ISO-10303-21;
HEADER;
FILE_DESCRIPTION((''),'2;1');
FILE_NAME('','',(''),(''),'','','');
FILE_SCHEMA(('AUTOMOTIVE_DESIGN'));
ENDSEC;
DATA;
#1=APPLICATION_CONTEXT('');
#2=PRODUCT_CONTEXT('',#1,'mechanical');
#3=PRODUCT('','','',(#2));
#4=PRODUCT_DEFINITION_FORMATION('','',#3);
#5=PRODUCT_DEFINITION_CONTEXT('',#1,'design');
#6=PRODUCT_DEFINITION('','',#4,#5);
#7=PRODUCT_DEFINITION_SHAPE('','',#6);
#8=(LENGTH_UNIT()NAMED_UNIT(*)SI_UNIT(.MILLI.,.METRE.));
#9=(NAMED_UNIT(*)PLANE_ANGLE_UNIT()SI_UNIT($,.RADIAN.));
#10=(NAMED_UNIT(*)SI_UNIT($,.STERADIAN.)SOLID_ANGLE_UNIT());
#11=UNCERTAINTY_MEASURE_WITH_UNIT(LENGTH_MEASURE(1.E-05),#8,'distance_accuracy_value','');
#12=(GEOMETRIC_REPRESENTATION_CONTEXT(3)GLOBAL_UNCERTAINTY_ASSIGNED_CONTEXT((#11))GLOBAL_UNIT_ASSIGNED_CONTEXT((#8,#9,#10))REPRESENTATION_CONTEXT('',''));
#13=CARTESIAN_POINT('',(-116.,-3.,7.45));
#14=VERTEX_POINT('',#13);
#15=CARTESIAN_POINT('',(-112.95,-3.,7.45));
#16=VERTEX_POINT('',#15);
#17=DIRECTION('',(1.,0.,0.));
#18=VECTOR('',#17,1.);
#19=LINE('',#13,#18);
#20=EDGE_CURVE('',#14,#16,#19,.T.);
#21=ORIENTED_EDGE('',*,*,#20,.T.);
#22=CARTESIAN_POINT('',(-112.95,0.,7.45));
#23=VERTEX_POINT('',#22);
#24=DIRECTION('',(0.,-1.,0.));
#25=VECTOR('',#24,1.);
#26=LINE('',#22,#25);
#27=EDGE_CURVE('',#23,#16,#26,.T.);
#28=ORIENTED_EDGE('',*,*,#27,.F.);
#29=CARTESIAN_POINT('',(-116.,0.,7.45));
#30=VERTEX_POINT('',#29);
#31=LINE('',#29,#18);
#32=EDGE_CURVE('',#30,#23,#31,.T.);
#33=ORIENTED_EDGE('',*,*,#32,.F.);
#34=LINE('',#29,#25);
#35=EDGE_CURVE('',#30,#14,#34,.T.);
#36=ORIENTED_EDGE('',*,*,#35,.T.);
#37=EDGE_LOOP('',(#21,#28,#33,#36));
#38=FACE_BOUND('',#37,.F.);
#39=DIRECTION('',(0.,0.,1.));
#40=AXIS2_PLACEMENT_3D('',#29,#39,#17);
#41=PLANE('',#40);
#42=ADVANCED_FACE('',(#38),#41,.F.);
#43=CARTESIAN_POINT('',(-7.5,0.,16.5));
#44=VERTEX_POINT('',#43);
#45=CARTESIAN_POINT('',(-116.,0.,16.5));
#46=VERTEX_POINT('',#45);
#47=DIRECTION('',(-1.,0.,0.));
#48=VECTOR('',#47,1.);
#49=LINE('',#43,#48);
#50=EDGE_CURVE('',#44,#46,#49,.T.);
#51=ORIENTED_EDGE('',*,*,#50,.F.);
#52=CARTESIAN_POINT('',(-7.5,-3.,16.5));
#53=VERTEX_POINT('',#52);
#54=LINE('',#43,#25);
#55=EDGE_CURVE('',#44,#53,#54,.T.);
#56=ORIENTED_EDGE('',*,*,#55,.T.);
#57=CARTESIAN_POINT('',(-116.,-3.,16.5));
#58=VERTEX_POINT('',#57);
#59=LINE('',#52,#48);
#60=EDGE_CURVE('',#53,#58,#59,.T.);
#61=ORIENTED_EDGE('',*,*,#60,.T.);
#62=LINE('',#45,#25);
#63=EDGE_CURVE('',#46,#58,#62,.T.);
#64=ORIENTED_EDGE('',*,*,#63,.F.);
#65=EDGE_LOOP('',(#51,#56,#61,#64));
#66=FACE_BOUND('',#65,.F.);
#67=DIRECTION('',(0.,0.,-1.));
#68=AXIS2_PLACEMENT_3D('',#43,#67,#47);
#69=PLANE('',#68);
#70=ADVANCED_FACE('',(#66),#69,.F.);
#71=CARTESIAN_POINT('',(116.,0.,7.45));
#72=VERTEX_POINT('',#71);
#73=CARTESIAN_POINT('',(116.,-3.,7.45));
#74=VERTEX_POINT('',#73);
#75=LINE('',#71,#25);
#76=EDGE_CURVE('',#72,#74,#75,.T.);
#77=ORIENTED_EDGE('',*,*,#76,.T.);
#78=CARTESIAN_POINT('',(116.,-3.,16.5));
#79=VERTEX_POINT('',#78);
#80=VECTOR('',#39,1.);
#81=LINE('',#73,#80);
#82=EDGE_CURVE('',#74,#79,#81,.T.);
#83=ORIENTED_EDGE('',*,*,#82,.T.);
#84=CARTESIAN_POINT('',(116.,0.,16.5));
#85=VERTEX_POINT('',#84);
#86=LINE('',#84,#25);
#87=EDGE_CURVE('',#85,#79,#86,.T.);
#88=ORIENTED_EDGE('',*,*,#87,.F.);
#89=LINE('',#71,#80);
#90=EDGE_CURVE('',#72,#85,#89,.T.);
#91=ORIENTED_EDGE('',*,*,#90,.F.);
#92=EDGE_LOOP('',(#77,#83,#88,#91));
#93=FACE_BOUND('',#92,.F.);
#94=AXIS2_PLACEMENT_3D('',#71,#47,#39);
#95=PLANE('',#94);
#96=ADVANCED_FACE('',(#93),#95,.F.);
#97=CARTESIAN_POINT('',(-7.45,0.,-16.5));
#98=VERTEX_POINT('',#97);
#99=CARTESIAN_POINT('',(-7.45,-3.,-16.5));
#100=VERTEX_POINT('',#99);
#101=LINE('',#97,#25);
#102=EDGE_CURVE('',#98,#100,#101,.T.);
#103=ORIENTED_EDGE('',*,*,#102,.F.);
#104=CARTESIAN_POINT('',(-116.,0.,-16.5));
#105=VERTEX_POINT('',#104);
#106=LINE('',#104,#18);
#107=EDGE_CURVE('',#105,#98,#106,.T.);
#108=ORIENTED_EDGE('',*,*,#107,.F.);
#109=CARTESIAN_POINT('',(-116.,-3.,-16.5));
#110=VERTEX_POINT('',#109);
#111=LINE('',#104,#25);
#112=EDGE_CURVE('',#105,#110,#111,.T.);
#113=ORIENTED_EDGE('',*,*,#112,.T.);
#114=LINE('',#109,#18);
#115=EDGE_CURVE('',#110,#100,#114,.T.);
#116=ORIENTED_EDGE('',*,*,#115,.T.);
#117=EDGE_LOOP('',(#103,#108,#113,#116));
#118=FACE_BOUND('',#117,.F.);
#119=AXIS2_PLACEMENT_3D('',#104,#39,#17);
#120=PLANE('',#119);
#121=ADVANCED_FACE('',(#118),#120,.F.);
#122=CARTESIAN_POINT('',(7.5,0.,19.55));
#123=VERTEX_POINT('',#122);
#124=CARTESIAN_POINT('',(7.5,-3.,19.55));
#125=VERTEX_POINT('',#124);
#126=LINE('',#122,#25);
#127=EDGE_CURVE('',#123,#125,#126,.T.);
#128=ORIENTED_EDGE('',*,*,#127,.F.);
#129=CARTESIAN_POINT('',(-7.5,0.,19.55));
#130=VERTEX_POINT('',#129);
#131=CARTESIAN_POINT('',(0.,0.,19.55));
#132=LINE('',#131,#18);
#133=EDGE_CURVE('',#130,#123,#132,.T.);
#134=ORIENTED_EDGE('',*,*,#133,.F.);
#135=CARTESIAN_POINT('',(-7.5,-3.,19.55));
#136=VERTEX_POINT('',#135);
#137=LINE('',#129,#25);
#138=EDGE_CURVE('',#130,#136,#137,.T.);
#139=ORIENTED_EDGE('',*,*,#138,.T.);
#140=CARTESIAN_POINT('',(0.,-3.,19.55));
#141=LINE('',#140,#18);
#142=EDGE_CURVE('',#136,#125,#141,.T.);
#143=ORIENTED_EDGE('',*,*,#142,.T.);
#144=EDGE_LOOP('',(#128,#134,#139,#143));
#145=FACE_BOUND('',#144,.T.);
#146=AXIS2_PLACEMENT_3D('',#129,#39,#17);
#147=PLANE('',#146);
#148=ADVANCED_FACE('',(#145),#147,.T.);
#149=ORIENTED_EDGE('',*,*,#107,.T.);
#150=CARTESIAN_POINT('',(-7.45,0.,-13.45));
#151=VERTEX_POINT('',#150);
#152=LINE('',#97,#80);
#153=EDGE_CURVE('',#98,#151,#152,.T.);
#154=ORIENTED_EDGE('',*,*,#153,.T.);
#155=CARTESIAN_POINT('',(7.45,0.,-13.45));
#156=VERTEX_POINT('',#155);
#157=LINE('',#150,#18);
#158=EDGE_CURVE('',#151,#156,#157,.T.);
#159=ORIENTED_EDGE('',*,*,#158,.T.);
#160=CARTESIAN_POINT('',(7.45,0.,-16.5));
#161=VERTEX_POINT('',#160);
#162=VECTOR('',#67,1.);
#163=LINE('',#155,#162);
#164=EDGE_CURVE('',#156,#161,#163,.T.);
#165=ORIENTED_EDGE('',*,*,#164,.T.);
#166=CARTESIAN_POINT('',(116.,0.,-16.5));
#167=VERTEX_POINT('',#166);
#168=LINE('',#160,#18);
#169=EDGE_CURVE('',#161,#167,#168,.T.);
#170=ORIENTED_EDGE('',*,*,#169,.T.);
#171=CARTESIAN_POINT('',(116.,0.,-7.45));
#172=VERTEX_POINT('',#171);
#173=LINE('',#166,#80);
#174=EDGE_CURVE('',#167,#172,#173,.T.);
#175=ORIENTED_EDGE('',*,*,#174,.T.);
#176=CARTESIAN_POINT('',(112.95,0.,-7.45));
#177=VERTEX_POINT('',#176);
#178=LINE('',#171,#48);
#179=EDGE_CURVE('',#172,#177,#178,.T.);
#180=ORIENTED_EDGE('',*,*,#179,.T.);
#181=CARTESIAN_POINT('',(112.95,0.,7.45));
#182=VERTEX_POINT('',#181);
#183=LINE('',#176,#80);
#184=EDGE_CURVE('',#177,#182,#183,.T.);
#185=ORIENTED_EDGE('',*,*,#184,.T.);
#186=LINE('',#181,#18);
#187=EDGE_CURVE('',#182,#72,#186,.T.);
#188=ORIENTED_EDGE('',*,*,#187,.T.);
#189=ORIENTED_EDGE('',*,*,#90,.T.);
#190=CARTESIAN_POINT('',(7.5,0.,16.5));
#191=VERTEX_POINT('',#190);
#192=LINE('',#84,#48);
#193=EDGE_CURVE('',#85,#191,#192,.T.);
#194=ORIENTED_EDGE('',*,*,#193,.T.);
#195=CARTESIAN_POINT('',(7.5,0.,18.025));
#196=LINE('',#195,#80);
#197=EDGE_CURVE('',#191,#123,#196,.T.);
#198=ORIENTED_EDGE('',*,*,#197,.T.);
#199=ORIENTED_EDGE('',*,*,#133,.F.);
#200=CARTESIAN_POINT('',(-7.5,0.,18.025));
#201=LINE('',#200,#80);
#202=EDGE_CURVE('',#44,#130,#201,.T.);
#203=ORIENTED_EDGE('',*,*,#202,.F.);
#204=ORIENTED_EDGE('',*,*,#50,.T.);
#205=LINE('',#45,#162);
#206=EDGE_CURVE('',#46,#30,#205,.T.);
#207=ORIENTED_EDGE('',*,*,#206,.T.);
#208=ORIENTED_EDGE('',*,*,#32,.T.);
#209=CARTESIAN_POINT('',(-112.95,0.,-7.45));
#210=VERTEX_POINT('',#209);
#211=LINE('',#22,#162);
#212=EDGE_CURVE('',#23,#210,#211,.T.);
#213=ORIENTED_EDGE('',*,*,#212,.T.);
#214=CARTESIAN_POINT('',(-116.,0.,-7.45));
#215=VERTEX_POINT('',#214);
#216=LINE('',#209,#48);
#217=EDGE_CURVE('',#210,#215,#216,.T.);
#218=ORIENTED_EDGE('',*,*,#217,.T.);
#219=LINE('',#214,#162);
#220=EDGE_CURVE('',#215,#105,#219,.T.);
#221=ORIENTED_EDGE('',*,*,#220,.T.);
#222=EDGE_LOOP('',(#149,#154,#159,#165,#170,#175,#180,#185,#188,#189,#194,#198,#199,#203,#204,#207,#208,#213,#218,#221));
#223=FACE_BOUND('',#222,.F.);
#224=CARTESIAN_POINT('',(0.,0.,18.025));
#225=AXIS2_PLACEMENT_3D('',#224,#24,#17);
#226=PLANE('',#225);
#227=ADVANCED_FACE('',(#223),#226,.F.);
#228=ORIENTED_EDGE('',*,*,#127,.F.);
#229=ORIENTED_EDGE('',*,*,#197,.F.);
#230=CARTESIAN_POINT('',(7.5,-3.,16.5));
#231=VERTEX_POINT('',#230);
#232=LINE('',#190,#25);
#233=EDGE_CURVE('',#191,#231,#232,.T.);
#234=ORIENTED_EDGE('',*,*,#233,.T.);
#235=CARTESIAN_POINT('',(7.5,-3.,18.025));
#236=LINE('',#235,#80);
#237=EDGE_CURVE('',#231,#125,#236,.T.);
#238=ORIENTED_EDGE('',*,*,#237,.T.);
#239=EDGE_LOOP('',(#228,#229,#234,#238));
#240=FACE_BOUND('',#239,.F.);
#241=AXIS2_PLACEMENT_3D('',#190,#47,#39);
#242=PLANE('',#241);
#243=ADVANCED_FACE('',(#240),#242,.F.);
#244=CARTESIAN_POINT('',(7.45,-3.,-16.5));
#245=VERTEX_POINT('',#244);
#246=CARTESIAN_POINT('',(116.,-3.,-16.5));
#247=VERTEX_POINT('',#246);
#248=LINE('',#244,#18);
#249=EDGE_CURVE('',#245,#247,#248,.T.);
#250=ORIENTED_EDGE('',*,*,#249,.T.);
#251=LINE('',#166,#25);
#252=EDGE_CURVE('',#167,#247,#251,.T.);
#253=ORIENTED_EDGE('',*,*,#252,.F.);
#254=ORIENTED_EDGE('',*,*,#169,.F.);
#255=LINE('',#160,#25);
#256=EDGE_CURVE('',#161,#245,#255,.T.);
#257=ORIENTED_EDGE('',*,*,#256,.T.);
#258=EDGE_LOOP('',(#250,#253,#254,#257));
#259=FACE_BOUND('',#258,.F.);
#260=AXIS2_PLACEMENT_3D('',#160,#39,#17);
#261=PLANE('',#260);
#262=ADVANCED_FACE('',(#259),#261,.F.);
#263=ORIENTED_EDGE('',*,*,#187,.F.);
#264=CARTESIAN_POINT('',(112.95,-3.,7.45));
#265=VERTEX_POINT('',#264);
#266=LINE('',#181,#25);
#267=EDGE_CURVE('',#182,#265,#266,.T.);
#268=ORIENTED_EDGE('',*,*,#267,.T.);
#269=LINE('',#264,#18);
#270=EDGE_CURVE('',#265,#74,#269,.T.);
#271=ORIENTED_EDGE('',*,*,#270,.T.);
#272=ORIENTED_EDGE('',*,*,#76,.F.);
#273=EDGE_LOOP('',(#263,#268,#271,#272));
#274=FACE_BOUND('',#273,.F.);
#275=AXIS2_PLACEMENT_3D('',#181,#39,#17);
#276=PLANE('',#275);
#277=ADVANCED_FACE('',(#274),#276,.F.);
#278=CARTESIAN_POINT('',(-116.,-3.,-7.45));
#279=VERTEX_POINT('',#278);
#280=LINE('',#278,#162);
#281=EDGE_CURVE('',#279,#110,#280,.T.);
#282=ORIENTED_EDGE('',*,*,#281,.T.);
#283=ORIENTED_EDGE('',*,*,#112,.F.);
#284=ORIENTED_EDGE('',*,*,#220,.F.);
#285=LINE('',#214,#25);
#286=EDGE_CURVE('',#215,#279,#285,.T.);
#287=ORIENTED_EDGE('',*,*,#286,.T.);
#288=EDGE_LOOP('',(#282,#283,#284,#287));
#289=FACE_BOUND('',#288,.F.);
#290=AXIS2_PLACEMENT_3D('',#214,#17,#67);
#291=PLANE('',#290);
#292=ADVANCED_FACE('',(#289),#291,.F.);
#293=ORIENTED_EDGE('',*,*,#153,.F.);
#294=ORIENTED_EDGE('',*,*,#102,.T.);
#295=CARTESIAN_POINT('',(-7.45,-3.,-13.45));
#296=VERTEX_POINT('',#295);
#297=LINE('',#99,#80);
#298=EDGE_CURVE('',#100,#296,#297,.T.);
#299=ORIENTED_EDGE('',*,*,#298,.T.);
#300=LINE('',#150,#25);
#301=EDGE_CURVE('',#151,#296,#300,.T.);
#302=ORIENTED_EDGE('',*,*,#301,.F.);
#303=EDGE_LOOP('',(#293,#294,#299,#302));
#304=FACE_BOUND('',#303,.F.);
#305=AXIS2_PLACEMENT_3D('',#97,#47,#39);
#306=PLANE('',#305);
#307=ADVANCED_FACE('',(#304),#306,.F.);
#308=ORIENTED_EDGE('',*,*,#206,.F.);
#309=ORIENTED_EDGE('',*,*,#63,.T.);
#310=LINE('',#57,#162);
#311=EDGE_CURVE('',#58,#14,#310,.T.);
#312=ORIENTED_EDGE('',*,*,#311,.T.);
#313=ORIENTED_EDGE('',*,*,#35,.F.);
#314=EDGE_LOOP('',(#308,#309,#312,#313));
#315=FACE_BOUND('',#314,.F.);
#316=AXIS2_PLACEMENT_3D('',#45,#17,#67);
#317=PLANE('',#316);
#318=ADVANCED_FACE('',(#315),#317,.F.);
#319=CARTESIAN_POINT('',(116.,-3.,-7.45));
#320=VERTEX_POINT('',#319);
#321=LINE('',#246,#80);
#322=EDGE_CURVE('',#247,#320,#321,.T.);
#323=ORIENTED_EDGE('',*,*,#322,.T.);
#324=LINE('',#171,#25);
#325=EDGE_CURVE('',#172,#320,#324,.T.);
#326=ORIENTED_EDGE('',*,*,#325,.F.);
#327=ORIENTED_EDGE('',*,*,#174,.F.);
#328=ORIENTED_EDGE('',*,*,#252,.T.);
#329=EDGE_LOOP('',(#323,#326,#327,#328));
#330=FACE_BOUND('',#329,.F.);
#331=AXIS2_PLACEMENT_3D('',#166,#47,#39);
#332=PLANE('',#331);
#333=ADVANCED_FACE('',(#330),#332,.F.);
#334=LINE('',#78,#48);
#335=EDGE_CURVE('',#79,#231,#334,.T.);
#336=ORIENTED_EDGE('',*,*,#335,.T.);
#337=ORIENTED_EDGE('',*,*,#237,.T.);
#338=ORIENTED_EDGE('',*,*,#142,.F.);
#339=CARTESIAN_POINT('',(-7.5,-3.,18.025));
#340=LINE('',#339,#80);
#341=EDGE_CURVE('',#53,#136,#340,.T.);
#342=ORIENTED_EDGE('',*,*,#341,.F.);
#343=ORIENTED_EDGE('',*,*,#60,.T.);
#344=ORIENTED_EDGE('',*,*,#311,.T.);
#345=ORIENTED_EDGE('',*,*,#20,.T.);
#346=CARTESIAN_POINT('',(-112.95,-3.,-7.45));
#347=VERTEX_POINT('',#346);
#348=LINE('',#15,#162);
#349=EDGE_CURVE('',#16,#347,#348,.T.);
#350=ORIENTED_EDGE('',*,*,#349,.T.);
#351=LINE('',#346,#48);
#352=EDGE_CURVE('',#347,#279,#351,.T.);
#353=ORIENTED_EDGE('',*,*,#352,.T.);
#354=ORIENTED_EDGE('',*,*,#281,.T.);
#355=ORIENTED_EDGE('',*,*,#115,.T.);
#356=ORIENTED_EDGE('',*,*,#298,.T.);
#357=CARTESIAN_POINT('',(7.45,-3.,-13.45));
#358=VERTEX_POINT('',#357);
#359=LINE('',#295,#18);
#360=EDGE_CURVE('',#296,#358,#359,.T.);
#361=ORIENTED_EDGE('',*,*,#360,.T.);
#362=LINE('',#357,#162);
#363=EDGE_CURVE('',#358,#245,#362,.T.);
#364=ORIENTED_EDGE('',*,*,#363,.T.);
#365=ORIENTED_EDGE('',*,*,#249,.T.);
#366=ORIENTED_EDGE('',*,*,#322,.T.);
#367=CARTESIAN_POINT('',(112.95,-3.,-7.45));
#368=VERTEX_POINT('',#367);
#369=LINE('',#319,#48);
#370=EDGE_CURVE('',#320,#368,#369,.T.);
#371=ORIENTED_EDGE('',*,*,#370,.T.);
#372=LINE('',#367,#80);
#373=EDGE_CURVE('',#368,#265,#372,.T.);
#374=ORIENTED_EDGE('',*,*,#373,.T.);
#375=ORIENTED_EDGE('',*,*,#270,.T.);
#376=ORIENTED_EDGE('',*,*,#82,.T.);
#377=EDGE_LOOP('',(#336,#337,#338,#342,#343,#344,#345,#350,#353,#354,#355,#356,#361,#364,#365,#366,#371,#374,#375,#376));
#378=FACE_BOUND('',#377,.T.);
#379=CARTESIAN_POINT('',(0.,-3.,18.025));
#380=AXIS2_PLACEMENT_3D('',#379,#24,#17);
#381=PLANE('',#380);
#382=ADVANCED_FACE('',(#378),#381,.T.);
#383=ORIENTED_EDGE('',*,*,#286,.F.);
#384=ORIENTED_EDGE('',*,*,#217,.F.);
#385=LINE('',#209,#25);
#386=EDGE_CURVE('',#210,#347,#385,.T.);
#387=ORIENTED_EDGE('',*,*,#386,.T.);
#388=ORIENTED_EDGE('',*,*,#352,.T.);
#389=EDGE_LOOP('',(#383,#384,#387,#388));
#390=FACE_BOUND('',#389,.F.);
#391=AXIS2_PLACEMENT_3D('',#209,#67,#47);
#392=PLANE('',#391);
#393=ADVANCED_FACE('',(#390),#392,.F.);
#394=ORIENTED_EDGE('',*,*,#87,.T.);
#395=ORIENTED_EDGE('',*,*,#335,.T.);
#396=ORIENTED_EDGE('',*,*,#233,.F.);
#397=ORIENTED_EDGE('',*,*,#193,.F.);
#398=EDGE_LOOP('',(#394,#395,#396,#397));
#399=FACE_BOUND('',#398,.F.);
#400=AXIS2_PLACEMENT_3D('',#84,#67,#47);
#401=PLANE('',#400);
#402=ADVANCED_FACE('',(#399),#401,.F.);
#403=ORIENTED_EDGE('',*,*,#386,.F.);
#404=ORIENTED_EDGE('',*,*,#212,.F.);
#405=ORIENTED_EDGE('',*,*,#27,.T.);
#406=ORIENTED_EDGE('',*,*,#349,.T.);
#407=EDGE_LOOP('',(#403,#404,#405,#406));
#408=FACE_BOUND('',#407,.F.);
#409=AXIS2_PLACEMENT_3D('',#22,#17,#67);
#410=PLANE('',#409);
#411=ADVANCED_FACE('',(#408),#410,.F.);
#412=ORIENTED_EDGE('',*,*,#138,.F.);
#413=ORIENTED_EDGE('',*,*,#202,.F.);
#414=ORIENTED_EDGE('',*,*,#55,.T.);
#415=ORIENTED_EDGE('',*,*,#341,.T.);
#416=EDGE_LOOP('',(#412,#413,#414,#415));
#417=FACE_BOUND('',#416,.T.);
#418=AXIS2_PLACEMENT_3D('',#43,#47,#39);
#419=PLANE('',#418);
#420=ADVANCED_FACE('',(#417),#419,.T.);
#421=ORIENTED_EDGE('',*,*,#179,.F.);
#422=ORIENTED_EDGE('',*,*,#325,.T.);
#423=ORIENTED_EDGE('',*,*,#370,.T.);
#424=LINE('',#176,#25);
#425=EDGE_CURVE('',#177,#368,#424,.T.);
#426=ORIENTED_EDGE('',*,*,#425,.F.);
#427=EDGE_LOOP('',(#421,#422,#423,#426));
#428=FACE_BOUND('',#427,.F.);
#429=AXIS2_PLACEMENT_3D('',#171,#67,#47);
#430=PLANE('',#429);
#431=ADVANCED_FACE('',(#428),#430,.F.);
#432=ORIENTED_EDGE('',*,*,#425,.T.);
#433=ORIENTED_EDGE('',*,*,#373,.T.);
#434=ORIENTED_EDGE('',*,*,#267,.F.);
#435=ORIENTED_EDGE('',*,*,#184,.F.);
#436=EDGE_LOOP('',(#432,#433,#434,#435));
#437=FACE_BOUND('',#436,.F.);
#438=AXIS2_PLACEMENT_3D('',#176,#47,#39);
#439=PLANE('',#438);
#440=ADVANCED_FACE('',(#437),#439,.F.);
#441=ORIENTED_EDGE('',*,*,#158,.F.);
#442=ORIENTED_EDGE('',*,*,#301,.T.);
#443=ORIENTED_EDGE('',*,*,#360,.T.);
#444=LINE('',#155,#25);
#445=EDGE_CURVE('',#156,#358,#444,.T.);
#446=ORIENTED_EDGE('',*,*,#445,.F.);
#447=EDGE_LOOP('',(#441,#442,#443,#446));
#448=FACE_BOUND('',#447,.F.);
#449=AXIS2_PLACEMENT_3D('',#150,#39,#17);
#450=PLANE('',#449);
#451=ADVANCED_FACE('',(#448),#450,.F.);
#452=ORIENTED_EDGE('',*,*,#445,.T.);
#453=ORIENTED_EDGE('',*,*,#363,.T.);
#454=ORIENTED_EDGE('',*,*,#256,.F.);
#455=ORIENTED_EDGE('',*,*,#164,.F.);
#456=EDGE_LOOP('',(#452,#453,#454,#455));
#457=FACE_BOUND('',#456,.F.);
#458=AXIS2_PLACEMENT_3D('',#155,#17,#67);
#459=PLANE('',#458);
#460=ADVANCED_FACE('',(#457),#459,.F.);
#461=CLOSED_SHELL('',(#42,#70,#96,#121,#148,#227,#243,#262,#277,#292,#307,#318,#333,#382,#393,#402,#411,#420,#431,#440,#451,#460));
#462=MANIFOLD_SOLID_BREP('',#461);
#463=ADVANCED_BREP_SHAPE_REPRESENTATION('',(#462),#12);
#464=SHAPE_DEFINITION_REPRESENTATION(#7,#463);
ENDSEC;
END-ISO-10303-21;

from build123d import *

# Parameters (mm, degrees)
F0_W     = 15
F0_H     = 3.05
F1_DEPTH = 3


with BuildPart() as f1:
    # F0 (on Front) → F1 (new body)
    with BuildSketch(Plane.XZ):
        with Locations((0, 18.025)):
            Rectangle(F0_W, F0_H)
        Polygon((7.45, -16.5), (116, -16.5), (116, -7.45), (112.95, -7.45), (112.95, 7.45), (116, 7.45), (116, 16.5), (7.5, 16.5), (-7.5, 16.5), (-116, 16.5), (-116, 7.45), (-112.95, 7.45), (-112.95, -7.45), (-116, -7.45), (-116, -16.5), (-7.45, -16.5), (-7.45, -13.45), (7.45, -13.45), align=None)
    extrude(amount=F1_DEPTH)


solid = f1.part
